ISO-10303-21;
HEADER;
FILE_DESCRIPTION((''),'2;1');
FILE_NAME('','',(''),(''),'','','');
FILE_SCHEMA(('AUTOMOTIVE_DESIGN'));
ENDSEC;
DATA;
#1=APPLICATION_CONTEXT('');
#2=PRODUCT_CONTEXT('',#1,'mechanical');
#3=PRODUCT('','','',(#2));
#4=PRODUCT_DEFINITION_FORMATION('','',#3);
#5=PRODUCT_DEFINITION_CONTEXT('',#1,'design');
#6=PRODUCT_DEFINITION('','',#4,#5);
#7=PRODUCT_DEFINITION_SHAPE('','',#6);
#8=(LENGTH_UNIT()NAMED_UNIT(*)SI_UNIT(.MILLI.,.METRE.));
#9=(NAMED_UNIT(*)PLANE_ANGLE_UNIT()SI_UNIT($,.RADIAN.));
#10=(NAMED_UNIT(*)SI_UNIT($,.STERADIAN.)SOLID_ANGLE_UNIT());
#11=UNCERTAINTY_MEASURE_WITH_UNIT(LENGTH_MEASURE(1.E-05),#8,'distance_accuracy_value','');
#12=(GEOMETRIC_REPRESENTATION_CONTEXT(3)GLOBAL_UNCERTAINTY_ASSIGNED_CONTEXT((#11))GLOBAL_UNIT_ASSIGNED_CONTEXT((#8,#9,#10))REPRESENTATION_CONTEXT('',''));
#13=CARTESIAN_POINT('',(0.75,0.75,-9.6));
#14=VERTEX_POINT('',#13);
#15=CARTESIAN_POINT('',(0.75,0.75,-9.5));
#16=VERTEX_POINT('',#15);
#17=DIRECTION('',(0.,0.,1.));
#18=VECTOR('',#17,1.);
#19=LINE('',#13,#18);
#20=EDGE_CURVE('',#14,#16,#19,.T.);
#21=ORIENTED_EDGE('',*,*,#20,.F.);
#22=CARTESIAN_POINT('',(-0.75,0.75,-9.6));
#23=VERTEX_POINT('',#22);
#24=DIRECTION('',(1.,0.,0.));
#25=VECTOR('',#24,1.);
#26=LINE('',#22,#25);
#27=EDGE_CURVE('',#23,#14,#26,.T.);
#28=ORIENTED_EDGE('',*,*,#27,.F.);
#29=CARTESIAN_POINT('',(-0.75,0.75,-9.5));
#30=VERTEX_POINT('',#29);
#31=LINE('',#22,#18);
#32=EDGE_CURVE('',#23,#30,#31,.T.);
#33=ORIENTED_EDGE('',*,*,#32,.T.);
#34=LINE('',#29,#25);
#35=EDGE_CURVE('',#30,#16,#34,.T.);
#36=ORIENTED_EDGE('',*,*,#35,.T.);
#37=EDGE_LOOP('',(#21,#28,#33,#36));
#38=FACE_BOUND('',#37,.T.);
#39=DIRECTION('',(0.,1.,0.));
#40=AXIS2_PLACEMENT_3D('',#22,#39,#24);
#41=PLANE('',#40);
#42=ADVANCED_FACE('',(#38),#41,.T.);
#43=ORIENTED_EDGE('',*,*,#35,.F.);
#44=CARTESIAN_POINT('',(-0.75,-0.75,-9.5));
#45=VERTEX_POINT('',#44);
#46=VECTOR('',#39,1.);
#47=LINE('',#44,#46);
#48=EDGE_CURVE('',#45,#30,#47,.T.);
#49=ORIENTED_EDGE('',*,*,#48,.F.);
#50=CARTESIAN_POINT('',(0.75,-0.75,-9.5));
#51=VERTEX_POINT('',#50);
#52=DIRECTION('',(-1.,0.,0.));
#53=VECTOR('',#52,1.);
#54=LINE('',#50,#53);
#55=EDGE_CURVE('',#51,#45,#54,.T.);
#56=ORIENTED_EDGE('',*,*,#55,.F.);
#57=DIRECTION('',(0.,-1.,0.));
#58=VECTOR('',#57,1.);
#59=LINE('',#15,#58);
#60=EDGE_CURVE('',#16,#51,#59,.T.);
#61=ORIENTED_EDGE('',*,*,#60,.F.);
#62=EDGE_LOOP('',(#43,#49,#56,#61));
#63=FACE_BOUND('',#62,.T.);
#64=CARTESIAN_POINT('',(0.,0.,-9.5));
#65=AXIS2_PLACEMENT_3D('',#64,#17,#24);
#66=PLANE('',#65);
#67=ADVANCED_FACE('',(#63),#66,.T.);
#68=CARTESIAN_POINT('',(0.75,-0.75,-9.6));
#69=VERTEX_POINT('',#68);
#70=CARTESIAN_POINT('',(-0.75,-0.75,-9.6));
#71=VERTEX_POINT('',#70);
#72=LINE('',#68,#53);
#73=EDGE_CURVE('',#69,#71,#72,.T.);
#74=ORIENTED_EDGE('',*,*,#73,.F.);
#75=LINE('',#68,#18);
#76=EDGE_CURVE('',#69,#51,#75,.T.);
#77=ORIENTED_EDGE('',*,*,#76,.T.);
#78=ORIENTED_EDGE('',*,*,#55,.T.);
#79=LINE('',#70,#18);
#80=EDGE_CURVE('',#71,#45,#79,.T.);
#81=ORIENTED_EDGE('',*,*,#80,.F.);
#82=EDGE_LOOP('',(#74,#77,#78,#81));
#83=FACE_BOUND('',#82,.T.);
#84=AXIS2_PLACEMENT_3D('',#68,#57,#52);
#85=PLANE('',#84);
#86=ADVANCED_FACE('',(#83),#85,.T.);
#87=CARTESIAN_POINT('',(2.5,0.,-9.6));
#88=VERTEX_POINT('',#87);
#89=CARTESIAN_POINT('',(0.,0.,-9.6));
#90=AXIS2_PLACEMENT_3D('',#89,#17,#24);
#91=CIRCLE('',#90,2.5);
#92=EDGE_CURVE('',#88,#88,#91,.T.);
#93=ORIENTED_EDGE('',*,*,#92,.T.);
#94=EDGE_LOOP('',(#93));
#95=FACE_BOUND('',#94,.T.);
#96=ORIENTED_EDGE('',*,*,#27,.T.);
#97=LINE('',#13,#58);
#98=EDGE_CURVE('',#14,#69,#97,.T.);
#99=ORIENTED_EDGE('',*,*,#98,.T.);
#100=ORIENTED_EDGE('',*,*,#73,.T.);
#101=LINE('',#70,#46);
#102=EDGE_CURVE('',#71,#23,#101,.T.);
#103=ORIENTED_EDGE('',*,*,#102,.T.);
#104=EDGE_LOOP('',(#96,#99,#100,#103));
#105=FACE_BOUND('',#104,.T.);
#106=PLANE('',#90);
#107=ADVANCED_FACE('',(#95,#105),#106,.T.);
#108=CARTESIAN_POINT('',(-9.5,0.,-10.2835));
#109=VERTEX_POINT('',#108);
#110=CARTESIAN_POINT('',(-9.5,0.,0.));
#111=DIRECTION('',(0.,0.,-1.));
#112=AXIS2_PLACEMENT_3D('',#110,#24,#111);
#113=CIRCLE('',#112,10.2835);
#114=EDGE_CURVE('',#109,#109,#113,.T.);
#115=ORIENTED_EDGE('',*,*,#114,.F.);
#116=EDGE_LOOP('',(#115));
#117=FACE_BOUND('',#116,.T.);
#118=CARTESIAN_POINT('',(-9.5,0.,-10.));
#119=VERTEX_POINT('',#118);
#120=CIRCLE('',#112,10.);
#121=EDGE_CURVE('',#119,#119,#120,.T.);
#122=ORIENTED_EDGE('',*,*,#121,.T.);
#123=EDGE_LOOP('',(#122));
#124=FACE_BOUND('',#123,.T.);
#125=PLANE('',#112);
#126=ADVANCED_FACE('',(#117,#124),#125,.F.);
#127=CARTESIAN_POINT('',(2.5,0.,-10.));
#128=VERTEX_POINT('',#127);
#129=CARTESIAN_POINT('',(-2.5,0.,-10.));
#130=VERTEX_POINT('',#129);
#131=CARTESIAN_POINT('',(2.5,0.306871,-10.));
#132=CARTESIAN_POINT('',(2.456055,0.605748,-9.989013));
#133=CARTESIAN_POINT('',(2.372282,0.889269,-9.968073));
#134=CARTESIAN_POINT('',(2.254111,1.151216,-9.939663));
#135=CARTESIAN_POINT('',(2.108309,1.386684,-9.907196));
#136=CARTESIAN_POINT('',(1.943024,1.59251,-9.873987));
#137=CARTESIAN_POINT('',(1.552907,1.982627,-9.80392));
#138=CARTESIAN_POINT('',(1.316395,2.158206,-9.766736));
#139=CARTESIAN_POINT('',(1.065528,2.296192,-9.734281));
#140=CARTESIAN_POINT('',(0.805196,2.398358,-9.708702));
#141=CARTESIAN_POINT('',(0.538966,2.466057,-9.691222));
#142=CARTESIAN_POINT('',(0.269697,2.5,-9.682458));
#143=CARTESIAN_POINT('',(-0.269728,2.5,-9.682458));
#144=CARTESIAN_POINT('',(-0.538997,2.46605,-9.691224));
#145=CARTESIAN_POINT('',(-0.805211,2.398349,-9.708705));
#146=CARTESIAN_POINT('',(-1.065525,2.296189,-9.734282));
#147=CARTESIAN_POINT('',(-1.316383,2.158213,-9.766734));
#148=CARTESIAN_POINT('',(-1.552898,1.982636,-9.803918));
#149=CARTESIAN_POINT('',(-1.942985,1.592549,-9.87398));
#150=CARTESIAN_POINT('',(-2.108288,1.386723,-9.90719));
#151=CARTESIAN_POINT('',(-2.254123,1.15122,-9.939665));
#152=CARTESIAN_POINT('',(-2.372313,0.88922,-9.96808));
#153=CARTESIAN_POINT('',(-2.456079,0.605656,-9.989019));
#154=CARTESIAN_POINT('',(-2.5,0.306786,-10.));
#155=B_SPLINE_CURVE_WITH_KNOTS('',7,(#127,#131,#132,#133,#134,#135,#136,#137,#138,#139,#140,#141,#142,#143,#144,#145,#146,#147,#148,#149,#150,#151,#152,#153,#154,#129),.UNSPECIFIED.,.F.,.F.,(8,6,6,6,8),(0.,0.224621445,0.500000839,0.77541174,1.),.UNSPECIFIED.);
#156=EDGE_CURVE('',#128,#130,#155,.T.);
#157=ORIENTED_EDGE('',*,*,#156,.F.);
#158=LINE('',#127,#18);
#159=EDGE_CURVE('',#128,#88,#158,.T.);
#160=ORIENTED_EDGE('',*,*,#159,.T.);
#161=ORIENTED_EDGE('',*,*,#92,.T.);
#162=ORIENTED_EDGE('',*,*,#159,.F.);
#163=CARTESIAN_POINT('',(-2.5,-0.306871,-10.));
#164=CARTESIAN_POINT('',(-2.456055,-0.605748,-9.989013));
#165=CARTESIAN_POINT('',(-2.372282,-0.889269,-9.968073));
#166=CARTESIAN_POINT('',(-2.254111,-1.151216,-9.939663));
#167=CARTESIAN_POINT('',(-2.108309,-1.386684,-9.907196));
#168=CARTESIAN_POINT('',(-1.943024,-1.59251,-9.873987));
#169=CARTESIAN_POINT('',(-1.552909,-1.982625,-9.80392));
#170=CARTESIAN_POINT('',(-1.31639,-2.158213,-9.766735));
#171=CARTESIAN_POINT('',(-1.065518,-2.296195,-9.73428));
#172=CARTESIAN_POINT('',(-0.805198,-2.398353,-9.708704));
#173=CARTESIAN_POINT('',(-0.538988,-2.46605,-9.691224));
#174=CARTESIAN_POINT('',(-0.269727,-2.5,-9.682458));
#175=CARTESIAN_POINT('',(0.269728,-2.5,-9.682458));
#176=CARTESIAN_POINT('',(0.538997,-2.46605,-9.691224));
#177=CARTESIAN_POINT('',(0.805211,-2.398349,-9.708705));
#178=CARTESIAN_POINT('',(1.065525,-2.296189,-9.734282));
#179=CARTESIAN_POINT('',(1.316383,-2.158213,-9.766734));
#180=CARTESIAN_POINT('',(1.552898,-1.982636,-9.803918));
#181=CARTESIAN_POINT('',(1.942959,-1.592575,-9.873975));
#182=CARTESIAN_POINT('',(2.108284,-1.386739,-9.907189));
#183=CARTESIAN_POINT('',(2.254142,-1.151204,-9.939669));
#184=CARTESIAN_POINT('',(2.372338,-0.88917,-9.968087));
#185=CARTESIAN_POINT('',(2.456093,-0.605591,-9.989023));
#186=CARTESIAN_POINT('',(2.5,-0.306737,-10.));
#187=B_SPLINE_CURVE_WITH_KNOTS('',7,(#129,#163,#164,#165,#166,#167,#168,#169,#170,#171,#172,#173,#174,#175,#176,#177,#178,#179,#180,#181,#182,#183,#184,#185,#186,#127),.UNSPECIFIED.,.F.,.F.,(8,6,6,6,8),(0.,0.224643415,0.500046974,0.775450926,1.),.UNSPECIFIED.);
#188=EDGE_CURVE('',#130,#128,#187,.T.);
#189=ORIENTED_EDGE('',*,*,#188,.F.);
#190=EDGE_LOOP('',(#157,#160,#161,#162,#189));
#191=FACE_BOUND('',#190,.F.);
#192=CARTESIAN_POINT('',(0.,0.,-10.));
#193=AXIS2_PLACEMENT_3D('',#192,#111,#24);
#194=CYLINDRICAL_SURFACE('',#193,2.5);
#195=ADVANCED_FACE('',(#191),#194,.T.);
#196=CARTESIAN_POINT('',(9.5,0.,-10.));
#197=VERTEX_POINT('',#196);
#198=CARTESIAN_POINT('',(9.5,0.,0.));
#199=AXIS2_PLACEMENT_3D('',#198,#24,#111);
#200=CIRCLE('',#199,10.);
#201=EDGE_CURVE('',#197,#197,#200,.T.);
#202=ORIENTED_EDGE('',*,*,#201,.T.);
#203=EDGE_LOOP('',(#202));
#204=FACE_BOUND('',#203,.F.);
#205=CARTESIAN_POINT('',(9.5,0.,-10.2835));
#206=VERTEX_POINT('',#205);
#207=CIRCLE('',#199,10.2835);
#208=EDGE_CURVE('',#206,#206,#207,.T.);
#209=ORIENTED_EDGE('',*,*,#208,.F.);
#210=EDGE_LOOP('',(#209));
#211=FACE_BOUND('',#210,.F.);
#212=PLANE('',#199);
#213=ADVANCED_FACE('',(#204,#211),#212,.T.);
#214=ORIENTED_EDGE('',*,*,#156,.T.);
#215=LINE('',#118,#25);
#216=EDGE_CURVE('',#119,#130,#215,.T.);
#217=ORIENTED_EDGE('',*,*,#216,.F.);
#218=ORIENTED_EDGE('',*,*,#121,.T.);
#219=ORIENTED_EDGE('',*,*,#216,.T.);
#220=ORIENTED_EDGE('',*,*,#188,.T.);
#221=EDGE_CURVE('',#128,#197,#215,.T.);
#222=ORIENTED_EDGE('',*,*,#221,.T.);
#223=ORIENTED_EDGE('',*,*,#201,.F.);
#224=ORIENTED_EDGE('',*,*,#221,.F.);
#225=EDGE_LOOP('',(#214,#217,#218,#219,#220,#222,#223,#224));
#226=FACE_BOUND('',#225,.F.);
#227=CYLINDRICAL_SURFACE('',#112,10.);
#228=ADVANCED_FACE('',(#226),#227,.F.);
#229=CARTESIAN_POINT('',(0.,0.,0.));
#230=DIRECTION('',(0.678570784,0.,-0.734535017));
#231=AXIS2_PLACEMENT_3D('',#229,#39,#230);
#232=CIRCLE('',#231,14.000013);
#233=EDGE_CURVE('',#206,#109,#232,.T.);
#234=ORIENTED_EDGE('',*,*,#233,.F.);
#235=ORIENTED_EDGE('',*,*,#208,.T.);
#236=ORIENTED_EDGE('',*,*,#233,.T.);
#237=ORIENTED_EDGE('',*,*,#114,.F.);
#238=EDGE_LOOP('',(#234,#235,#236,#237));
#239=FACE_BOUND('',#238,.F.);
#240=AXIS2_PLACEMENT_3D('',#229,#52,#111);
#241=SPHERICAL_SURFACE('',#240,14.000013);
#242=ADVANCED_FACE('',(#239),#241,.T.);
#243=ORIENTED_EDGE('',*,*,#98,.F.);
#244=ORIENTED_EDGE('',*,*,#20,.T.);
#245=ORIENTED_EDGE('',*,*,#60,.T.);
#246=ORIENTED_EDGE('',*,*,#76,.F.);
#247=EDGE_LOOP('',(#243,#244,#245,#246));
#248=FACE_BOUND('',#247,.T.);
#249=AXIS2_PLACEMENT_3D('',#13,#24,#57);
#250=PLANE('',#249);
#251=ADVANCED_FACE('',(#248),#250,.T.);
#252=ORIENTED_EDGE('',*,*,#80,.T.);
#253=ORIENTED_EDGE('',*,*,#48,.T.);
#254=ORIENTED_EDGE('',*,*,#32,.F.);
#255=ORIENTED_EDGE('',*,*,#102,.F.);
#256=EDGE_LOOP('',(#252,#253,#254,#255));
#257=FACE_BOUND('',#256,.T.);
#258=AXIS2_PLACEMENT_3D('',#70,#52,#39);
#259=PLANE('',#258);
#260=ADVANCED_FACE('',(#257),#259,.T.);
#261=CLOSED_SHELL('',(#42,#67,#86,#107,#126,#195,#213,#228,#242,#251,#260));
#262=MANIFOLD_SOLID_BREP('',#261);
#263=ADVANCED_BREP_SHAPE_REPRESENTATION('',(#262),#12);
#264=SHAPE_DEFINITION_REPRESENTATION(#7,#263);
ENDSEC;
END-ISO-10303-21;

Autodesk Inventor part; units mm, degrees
ref_plane "YZ Plane" through (0, 0, 0) normal (1, 0, 0) x (0, 1, 0)
ref_plane "XZ Plane" through (0, 0, 0) normal (0, 1, 0) x (-1, 0, 0)
sketch "Sketch1" plane through (0, 0, 0) normal (0, 1, 0) x (-1, 0, 0)
  line L0 (9.5, 0) -> (-9.5, 0)
  line L1 (9.5, 0) -> (9.5, -10) construction
  line L2 (-9.5, 0) -> (-9.5, -10) construction
  line L3 (9.5, -10) -> (9.5, -10.2835)
  line L4 (-9.5, -10) -> (-9.5, -10.2835)
  arc A0 (-9.5, -10.2835) -> (9.5, -10.2835) centre (0, 0) ccw
  line L5 (9.5, -10) -> (-9.5, -10)
  dimension "d0" = 19
  dimension "d7" = 14
  dimension "d9" = 10
ref_plane "Work Plane1" through (0, 0, -10) normal (0, 0, 1) x (1, 0, 0)
revolve "Revolution2" add sketch "Sketch1" angle 360 about axis through (-9.5, 0, 0) along (1, 0, 0)
sketch "Sketch4" plane through (0, 0, -10) normal (0, 0, 1) x (1, 0, 0)
  circle A0 centre (0, 0) radius 2.5
  dimension "d17" = 5
extrude "Extrusion3" add sketch "Sketch4" along normal blind 0.4
sketch "Sketch5" plane through (0, 0, -9.6) normal (0, 0, 1) x (1, 0, 0)
  circle A0 centre (0, 0) radius 2.5 projected
  line L0 (0.75, 0.75) -> (0.75, -0.75)
  line L1 (0.75, -0.75) -> (-0.75, -0.75)
  line L2 (-0.75, -0.75) -> (-0.75, 0.75)
  line L3 (-0.75, 0.75) -> (0.75, 0.75)
  point P0 (0.5831, -2.431)
  point P1 (0.5831, 2.431)
  dimension "d20" = 1.5
extrude "Extrusion4" add sketch "Sketch5" along normal blind 0.1 contours L0 L1 L2 L3
properties part number "Smart Ring" material "Titanium"
